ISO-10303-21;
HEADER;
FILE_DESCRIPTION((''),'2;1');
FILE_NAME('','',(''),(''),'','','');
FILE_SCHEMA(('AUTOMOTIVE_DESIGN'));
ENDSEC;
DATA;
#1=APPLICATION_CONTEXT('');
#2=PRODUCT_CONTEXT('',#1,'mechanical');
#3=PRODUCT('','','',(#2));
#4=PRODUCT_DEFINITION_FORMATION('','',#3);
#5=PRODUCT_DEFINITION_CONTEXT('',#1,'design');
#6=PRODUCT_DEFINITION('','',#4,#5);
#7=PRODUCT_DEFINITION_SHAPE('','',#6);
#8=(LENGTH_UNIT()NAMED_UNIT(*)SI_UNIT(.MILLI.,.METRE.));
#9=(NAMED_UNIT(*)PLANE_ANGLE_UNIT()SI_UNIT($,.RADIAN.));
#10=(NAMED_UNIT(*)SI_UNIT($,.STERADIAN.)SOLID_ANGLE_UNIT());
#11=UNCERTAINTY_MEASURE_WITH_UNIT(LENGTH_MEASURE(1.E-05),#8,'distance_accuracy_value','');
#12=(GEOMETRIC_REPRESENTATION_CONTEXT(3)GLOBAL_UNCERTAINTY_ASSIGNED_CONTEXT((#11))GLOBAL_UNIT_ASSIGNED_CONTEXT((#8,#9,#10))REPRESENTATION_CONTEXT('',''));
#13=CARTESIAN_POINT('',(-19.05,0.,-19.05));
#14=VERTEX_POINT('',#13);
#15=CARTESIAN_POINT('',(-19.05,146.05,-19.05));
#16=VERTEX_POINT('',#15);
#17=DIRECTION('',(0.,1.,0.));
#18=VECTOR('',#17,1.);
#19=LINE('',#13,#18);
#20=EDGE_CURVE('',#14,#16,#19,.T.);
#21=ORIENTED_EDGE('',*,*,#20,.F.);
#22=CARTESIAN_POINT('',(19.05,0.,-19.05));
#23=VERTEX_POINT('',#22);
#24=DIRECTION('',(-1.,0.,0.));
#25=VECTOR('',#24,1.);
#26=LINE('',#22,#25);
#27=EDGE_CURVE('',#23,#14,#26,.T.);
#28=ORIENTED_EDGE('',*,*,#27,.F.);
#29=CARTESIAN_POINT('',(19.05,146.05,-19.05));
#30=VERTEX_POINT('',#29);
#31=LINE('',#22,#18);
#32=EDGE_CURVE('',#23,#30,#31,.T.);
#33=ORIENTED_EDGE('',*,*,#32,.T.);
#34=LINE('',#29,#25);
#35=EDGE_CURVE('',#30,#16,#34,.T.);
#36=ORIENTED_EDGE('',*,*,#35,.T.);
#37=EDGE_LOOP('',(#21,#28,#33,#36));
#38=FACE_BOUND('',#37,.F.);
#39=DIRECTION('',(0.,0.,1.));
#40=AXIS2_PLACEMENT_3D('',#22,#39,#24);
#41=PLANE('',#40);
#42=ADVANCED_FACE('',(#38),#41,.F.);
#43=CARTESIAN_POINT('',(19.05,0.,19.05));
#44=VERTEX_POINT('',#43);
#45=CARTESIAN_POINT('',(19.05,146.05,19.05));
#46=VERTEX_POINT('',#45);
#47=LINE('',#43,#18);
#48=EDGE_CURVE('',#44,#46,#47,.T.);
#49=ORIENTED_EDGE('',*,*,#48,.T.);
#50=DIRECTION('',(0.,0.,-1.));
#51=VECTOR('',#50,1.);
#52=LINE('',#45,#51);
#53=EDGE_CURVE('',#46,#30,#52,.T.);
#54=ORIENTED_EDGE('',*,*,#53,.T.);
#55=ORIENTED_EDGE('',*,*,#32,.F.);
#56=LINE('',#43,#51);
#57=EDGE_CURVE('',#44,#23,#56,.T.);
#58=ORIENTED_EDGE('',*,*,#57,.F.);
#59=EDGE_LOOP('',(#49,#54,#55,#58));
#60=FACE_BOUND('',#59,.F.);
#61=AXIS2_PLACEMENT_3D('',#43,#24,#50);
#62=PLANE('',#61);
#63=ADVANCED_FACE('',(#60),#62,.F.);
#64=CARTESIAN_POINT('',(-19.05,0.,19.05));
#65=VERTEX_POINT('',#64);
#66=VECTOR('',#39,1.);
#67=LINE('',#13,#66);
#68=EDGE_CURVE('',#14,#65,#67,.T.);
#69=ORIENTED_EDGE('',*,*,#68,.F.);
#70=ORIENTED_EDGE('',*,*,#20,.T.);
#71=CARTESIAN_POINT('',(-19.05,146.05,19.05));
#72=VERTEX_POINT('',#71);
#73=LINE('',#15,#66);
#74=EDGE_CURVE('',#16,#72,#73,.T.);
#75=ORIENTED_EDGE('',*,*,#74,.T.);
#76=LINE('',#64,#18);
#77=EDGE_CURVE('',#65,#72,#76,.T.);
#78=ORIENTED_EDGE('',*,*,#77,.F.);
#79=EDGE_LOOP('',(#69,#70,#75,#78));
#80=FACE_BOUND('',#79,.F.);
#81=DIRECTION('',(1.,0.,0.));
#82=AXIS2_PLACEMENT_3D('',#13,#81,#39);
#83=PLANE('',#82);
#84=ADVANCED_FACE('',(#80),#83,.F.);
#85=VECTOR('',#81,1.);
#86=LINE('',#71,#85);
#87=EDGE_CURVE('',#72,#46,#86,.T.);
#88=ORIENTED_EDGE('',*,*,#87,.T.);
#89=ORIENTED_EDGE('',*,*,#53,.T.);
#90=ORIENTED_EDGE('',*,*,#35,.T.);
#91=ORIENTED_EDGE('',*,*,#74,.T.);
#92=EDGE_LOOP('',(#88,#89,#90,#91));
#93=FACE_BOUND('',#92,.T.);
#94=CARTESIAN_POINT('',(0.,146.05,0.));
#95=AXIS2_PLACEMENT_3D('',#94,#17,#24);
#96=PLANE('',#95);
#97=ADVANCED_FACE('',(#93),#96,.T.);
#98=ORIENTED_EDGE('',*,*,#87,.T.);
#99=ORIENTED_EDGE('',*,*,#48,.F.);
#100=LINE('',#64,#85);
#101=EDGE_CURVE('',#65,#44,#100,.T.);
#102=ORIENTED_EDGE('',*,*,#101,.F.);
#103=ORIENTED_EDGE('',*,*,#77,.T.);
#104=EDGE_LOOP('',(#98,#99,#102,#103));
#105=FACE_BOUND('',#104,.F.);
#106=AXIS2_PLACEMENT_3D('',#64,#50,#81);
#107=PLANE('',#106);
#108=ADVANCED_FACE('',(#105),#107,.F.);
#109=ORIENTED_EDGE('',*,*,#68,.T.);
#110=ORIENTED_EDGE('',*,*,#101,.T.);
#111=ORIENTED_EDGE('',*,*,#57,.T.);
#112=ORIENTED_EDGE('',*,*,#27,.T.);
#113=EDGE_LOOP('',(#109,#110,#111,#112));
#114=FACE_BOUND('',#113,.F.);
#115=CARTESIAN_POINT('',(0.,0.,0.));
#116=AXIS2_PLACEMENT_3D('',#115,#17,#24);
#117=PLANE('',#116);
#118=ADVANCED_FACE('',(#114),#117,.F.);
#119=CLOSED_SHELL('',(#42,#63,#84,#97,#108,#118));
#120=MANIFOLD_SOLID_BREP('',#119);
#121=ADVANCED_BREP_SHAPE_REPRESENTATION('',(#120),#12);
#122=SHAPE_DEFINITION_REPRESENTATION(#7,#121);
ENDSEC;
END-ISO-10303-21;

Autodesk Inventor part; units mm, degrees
ref_plane "YZ Plane" through (0, 0, 0) normal (1, 0, 0) x (0, 1, 0)
ref_plane "XZ Plane" through (0, 0, 0) normal (0, 1, 0) x (-1, 0, 0)
ref_plane "XY Plane" through (0, 0, 0) normal (0, 0, 1) x (1, 0, 0)
sketch "Sketch1" plane through (0, 0, 0) normal (0, 1, 0) x (-1, 0, 0)
  line L0 (-19.05, -19.05) -> (19.05, -19.05)
  line L1 (19.05, -19.05) -> (19.05, 19.05)
  line L2 (19.05, 19.05) -> (-19.05, 19.05)
  line L3 (-19.05, 19.05) -> (-19.05, -19.05)
  line L4 (-19.05, -19.05) -> (19.05, 19.05) construction
  line L5 (19.05, -19.05) -> (-19.05, 19.05) construction
  point P0 (0, 0)
  dimension "d0" = 38.1
  dimension "d1" = 38.1
extrude "Extrusion1" add sketch "Sketch1" along normal blind 146.05
properties part number "monitor supports (for assembly)"
